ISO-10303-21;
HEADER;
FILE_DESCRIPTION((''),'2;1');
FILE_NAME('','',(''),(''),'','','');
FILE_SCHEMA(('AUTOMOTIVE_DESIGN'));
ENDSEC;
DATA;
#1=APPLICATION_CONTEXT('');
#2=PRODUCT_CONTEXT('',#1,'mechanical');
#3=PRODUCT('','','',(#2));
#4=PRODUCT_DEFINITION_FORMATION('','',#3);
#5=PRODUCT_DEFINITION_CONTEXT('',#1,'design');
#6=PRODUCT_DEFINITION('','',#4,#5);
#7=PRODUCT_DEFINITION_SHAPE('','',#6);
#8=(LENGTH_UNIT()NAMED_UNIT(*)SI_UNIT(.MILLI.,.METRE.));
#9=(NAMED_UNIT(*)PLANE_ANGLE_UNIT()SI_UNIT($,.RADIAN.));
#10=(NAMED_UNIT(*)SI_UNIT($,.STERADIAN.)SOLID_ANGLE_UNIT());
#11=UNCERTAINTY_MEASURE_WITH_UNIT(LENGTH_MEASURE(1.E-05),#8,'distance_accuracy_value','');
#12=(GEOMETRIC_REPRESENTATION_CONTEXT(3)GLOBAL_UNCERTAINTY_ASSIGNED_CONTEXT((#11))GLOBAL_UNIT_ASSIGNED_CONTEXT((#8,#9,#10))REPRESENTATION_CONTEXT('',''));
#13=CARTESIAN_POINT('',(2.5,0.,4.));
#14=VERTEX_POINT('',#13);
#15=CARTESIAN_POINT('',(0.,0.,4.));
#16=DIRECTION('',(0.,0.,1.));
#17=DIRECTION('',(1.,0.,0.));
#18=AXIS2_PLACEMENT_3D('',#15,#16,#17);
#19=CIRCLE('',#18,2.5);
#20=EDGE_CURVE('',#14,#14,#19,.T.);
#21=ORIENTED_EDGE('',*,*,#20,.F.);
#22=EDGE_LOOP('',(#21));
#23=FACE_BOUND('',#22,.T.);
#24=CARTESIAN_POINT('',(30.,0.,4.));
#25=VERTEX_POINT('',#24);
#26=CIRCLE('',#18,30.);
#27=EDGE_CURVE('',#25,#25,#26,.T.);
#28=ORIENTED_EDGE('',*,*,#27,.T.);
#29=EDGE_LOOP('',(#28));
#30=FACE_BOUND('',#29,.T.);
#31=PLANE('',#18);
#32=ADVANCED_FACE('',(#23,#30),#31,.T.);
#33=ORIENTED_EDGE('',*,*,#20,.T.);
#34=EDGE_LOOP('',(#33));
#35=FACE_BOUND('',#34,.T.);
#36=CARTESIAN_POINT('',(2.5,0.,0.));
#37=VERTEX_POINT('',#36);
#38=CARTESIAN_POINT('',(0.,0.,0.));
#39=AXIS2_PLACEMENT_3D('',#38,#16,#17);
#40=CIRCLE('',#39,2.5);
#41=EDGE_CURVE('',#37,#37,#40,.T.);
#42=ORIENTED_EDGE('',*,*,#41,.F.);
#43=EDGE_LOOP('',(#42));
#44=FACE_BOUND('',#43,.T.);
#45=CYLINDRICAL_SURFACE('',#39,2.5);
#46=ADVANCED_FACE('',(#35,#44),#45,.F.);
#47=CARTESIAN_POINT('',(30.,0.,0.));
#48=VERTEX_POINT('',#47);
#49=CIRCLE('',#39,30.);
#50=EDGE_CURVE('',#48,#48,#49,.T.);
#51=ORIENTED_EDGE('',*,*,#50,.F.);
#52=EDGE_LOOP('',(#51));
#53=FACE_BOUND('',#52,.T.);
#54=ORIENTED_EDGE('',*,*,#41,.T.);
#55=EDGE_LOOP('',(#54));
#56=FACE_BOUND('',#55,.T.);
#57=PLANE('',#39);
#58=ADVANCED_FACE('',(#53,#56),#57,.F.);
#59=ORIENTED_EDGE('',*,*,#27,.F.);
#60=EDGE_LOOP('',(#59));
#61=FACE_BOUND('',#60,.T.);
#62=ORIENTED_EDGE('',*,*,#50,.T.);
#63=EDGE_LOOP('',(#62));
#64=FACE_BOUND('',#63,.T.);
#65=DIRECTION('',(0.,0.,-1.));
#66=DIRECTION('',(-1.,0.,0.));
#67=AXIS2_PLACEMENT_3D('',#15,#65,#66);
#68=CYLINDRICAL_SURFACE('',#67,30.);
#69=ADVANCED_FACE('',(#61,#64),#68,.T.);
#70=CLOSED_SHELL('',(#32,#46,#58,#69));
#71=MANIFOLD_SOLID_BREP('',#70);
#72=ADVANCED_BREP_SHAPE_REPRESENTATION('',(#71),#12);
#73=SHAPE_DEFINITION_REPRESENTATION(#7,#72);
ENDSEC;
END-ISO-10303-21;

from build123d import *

# Parameters (mm, degrees)
SKETCH1_R           = 30
BOSS_EXTRUDE1_DEPTH = 4
SKETCH2_R           = 2.5
CUT_EXTRUDE1_DEPTH  = 4


with BuildPart() as part:
    # Sketch1 → Boss-Extrude1 (new body)
    with BuildSketch(Plane.XY):
        Circle(SKETCH1_R)
    extrude(amount=BOSS_EXTRUDE1_DEPTH)

    # Sketch2 → Cut-Extrude1 (cut)
    with BuildSketch(Plane.XY.offset(4)):
        Circle(SKETCH2_R)
    extrude(amount=-CUT_EXTRUDE1_DEPTH, mode=Mode.SUBTRACT)


solid = part.part
